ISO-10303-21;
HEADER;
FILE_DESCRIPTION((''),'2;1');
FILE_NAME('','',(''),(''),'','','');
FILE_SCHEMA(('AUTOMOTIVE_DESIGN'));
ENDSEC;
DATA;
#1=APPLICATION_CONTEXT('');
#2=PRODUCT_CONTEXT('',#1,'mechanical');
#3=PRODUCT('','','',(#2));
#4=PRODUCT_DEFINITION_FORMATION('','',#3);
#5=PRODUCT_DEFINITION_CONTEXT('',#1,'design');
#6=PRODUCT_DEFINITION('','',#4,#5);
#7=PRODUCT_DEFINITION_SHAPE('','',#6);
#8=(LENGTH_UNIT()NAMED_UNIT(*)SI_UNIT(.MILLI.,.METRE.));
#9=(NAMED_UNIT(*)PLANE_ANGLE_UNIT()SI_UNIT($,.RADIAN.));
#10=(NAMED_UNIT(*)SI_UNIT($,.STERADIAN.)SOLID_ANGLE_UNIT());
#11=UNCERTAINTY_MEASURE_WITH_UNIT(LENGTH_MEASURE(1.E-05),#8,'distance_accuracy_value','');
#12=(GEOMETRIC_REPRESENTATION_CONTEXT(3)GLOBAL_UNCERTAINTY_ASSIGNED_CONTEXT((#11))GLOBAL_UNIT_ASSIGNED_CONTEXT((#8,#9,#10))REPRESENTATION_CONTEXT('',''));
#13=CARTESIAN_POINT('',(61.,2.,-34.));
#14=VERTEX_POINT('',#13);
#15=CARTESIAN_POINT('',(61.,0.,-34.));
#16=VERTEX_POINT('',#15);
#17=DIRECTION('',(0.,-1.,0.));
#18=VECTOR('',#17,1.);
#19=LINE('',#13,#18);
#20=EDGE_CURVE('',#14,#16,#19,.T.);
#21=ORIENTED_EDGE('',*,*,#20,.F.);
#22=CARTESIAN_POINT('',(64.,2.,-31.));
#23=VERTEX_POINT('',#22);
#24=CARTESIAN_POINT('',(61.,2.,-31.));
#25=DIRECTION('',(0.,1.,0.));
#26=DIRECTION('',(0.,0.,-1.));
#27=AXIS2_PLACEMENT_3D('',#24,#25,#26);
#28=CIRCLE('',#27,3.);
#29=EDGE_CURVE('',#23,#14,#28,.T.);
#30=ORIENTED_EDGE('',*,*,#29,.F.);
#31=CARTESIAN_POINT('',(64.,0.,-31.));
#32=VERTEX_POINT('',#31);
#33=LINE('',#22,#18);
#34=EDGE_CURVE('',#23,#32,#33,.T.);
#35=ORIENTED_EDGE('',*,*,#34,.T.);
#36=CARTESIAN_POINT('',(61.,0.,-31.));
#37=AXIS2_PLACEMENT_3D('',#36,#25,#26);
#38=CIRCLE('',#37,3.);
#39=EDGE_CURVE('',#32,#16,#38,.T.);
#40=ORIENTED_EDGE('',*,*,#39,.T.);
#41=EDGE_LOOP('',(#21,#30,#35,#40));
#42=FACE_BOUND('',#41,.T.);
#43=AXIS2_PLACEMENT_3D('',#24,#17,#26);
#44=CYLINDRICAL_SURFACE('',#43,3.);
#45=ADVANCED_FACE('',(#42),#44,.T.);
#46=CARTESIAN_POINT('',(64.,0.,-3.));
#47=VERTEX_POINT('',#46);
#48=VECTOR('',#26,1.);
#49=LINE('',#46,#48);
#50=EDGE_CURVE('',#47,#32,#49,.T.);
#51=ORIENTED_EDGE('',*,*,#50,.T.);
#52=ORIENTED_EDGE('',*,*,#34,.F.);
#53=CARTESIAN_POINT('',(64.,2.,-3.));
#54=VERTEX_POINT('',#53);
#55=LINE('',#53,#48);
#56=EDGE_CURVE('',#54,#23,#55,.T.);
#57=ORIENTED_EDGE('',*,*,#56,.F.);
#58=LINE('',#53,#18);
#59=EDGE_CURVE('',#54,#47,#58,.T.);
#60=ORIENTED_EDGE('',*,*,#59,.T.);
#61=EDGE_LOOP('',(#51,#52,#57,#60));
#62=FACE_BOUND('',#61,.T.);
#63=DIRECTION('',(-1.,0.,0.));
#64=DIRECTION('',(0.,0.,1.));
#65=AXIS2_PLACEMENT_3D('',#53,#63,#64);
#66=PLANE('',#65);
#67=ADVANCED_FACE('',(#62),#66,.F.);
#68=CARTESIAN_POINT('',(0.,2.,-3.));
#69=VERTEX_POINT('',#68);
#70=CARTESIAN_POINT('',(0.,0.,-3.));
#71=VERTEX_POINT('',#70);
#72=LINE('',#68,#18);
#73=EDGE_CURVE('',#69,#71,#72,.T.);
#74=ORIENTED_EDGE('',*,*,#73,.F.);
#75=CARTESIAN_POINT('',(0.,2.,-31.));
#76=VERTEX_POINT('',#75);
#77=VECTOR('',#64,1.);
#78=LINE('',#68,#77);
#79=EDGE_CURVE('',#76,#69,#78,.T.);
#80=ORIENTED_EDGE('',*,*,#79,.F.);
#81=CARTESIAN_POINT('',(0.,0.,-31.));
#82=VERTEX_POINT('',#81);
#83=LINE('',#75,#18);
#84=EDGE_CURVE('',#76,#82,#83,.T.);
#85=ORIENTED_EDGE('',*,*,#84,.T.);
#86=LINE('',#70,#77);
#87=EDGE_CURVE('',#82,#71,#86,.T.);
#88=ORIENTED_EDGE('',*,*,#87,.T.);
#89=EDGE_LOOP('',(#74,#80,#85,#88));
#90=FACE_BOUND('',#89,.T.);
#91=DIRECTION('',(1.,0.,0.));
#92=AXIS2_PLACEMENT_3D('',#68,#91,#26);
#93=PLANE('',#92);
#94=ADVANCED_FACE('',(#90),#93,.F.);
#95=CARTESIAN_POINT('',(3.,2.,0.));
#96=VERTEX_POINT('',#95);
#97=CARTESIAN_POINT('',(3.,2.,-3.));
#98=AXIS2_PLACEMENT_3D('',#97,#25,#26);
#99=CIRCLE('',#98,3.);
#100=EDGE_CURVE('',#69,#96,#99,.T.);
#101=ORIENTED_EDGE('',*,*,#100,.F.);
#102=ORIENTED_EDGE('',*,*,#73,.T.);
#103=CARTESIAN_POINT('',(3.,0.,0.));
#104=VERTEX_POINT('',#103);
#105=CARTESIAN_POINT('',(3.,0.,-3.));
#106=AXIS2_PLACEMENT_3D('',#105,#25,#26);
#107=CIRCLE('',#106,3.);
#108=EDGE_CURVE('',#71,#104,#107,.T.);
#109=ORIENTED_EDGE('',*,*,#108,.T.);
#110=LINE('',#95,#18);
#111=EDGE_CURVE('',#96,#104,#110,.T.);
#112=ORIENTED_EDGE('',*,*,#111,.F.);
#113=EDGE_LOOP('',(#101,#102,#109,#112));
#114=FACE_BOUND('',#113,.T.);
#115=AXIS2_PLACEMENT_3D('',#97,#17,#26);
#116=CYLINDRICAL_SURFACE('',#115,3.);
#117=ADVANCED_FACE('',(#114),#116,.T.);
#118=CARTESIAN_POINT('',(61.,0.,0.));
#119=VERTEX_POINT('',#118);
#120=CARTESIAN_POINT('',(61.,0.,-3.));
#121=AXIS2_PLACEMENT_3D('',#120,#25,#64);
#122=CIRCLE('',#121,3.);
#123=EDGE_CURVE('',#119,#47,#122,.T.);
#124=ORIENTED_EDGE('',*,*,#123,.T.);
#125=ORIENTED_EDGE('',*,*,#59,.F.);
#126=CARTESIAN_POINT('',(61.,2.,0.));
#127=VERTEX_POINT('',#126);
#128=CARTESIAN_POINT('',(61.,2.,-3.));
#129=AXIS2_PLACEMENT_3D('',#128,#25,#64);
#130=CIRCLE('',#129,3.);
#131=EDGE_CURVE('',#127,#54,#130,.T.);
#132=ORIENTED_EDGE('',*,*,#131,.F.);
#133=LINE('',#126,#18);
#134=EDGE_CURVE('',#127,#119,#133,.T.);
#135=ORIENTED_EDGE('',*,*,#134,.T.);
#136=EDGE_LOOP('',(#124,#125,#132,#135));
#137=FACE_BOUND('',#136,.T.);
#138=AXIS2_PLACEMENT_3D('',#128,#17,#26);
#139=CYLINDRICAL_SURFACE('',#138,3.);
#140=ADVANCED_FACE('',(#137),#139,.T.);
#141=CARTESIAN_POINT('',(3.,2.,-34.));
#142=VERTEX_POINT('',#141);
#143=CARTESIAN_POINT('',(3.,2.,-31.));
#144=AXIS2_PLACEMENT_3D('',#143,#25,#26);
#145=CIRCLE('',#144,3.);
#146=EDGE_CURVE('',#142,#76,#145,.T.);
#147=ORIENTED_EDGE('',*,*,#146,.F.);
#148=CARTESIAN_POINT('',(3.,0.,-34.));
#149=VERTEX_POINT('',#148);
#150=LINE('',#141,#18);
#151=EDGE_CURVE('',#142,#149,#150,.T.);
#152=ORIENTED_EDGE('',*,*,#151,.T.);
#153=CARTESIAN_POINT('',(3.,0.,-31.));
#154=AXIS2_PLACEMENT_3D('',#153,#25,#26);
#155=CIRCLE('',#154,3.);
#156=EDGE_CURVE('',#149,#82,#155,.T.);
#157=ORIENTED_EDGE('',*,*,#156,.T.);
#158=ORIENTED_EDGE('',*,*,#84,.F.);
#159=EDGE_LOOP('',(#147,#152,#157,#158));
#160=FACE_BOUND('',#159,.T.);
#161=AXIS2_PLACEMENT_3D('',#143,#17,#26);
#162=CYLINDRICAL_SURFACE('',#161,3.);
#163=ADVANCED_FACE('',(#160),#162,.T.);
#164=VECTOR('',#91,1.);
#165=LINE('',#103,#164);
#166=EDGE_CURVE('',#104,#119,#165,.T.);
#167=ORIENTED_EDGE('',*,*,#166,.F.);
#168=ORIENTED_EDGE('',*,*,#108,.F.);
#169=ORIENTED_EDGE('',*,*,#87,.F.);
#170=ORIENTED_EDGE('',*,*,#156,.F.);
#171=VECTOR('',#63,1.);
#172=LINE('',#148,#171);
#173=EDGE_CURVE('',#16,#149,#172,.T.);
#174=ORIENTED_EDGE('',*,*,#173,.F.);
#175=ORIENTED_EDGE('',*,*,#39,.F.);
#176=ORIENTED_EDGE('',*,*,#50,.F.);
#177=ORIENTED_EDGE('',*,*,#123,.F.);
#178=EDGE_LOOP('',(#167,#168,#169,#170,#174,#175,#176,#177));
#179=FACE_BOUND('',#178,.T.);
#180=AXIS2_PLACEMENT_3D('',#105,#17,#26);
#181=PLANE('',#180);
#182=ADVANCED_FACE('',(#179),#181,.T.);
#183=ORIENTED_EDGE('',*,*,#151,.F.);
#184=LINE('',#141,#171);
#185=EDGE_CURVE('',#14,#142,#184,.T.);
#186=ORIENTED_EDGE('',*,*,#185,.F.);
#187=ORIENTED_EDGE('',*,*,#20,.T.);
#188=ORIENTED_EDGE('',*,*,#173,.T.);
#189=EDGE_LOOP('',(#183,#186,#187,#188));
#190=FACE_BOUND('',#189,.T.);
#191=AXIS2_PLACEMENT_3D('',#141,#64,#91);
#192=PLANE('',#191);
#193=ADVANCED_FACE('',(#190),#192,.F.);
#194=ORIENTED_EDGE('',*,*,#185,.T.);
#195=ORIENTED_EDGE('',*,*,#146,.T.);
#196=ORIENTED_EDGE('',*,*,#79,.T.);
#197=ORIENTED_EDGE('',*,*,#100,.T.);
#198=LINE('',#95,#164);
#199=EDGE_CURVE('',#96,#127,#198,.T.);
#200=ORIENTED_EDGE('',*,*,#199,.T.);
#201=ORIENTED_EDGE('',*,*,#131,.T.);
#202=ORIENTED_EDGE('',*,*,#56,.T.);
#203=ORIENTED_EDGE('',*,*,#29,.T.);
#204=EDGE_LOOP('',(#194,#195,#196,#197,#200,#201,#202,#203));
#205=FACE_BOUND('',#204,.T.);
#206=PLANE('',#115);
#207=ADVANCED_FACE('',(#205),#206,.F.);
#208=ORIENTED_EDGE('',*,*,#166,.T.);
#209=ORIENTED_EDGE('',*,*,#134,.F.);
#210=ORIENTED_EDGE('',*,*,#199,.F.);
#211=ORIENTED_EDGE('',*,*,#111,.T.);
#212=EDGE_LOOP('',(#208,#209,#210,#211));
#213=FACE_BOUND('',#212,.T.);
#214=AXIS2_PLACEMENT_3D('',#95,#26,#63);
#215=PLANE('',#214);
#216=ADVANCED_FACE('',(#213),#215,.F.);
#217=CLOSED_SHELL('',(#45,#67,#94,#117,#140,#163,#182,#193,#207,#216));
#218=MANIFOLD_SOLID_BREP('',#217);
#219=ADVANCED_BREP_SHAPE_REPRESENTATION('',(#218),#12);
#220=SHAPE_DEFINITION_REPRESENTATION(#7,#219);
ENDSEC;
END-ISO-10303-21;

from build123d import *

# Parameters (mm, degrees)
BOSS_EXTRUDE1_DEPTH = 2


with BuildPart() as part:
    # Sketch1 → Boss-Extrude1 (new body)
    with BuildSketch(Plane(origin=(0, 0, 0), x_dir=(1, 0, 0), z_dir=(0, 1, 0))):
        with BuildLine():
            Line((3, 0), (61, 0))
            ThreePointArc((61, 0), (63.121320344, 0.878679656), (64, 3))
            Line((64, 3), (64, 31))
            ThreePointArc((64, 31), (63.121320344, 33.121320344), (61, 34))
            Line((61, 34), (3, 34))
            ThreePointArc((3, 34), (0.878679656, 33.121320344), (0, 31))
            Line((0, 31), (0, 3))
            ThreePointArc((0, 3), (0.878679656, 0.878679656), (3, 0))
        make_face()
    extrude(amount=BOSS_EXTRUDE1_DEPTH)


solid = part.part
